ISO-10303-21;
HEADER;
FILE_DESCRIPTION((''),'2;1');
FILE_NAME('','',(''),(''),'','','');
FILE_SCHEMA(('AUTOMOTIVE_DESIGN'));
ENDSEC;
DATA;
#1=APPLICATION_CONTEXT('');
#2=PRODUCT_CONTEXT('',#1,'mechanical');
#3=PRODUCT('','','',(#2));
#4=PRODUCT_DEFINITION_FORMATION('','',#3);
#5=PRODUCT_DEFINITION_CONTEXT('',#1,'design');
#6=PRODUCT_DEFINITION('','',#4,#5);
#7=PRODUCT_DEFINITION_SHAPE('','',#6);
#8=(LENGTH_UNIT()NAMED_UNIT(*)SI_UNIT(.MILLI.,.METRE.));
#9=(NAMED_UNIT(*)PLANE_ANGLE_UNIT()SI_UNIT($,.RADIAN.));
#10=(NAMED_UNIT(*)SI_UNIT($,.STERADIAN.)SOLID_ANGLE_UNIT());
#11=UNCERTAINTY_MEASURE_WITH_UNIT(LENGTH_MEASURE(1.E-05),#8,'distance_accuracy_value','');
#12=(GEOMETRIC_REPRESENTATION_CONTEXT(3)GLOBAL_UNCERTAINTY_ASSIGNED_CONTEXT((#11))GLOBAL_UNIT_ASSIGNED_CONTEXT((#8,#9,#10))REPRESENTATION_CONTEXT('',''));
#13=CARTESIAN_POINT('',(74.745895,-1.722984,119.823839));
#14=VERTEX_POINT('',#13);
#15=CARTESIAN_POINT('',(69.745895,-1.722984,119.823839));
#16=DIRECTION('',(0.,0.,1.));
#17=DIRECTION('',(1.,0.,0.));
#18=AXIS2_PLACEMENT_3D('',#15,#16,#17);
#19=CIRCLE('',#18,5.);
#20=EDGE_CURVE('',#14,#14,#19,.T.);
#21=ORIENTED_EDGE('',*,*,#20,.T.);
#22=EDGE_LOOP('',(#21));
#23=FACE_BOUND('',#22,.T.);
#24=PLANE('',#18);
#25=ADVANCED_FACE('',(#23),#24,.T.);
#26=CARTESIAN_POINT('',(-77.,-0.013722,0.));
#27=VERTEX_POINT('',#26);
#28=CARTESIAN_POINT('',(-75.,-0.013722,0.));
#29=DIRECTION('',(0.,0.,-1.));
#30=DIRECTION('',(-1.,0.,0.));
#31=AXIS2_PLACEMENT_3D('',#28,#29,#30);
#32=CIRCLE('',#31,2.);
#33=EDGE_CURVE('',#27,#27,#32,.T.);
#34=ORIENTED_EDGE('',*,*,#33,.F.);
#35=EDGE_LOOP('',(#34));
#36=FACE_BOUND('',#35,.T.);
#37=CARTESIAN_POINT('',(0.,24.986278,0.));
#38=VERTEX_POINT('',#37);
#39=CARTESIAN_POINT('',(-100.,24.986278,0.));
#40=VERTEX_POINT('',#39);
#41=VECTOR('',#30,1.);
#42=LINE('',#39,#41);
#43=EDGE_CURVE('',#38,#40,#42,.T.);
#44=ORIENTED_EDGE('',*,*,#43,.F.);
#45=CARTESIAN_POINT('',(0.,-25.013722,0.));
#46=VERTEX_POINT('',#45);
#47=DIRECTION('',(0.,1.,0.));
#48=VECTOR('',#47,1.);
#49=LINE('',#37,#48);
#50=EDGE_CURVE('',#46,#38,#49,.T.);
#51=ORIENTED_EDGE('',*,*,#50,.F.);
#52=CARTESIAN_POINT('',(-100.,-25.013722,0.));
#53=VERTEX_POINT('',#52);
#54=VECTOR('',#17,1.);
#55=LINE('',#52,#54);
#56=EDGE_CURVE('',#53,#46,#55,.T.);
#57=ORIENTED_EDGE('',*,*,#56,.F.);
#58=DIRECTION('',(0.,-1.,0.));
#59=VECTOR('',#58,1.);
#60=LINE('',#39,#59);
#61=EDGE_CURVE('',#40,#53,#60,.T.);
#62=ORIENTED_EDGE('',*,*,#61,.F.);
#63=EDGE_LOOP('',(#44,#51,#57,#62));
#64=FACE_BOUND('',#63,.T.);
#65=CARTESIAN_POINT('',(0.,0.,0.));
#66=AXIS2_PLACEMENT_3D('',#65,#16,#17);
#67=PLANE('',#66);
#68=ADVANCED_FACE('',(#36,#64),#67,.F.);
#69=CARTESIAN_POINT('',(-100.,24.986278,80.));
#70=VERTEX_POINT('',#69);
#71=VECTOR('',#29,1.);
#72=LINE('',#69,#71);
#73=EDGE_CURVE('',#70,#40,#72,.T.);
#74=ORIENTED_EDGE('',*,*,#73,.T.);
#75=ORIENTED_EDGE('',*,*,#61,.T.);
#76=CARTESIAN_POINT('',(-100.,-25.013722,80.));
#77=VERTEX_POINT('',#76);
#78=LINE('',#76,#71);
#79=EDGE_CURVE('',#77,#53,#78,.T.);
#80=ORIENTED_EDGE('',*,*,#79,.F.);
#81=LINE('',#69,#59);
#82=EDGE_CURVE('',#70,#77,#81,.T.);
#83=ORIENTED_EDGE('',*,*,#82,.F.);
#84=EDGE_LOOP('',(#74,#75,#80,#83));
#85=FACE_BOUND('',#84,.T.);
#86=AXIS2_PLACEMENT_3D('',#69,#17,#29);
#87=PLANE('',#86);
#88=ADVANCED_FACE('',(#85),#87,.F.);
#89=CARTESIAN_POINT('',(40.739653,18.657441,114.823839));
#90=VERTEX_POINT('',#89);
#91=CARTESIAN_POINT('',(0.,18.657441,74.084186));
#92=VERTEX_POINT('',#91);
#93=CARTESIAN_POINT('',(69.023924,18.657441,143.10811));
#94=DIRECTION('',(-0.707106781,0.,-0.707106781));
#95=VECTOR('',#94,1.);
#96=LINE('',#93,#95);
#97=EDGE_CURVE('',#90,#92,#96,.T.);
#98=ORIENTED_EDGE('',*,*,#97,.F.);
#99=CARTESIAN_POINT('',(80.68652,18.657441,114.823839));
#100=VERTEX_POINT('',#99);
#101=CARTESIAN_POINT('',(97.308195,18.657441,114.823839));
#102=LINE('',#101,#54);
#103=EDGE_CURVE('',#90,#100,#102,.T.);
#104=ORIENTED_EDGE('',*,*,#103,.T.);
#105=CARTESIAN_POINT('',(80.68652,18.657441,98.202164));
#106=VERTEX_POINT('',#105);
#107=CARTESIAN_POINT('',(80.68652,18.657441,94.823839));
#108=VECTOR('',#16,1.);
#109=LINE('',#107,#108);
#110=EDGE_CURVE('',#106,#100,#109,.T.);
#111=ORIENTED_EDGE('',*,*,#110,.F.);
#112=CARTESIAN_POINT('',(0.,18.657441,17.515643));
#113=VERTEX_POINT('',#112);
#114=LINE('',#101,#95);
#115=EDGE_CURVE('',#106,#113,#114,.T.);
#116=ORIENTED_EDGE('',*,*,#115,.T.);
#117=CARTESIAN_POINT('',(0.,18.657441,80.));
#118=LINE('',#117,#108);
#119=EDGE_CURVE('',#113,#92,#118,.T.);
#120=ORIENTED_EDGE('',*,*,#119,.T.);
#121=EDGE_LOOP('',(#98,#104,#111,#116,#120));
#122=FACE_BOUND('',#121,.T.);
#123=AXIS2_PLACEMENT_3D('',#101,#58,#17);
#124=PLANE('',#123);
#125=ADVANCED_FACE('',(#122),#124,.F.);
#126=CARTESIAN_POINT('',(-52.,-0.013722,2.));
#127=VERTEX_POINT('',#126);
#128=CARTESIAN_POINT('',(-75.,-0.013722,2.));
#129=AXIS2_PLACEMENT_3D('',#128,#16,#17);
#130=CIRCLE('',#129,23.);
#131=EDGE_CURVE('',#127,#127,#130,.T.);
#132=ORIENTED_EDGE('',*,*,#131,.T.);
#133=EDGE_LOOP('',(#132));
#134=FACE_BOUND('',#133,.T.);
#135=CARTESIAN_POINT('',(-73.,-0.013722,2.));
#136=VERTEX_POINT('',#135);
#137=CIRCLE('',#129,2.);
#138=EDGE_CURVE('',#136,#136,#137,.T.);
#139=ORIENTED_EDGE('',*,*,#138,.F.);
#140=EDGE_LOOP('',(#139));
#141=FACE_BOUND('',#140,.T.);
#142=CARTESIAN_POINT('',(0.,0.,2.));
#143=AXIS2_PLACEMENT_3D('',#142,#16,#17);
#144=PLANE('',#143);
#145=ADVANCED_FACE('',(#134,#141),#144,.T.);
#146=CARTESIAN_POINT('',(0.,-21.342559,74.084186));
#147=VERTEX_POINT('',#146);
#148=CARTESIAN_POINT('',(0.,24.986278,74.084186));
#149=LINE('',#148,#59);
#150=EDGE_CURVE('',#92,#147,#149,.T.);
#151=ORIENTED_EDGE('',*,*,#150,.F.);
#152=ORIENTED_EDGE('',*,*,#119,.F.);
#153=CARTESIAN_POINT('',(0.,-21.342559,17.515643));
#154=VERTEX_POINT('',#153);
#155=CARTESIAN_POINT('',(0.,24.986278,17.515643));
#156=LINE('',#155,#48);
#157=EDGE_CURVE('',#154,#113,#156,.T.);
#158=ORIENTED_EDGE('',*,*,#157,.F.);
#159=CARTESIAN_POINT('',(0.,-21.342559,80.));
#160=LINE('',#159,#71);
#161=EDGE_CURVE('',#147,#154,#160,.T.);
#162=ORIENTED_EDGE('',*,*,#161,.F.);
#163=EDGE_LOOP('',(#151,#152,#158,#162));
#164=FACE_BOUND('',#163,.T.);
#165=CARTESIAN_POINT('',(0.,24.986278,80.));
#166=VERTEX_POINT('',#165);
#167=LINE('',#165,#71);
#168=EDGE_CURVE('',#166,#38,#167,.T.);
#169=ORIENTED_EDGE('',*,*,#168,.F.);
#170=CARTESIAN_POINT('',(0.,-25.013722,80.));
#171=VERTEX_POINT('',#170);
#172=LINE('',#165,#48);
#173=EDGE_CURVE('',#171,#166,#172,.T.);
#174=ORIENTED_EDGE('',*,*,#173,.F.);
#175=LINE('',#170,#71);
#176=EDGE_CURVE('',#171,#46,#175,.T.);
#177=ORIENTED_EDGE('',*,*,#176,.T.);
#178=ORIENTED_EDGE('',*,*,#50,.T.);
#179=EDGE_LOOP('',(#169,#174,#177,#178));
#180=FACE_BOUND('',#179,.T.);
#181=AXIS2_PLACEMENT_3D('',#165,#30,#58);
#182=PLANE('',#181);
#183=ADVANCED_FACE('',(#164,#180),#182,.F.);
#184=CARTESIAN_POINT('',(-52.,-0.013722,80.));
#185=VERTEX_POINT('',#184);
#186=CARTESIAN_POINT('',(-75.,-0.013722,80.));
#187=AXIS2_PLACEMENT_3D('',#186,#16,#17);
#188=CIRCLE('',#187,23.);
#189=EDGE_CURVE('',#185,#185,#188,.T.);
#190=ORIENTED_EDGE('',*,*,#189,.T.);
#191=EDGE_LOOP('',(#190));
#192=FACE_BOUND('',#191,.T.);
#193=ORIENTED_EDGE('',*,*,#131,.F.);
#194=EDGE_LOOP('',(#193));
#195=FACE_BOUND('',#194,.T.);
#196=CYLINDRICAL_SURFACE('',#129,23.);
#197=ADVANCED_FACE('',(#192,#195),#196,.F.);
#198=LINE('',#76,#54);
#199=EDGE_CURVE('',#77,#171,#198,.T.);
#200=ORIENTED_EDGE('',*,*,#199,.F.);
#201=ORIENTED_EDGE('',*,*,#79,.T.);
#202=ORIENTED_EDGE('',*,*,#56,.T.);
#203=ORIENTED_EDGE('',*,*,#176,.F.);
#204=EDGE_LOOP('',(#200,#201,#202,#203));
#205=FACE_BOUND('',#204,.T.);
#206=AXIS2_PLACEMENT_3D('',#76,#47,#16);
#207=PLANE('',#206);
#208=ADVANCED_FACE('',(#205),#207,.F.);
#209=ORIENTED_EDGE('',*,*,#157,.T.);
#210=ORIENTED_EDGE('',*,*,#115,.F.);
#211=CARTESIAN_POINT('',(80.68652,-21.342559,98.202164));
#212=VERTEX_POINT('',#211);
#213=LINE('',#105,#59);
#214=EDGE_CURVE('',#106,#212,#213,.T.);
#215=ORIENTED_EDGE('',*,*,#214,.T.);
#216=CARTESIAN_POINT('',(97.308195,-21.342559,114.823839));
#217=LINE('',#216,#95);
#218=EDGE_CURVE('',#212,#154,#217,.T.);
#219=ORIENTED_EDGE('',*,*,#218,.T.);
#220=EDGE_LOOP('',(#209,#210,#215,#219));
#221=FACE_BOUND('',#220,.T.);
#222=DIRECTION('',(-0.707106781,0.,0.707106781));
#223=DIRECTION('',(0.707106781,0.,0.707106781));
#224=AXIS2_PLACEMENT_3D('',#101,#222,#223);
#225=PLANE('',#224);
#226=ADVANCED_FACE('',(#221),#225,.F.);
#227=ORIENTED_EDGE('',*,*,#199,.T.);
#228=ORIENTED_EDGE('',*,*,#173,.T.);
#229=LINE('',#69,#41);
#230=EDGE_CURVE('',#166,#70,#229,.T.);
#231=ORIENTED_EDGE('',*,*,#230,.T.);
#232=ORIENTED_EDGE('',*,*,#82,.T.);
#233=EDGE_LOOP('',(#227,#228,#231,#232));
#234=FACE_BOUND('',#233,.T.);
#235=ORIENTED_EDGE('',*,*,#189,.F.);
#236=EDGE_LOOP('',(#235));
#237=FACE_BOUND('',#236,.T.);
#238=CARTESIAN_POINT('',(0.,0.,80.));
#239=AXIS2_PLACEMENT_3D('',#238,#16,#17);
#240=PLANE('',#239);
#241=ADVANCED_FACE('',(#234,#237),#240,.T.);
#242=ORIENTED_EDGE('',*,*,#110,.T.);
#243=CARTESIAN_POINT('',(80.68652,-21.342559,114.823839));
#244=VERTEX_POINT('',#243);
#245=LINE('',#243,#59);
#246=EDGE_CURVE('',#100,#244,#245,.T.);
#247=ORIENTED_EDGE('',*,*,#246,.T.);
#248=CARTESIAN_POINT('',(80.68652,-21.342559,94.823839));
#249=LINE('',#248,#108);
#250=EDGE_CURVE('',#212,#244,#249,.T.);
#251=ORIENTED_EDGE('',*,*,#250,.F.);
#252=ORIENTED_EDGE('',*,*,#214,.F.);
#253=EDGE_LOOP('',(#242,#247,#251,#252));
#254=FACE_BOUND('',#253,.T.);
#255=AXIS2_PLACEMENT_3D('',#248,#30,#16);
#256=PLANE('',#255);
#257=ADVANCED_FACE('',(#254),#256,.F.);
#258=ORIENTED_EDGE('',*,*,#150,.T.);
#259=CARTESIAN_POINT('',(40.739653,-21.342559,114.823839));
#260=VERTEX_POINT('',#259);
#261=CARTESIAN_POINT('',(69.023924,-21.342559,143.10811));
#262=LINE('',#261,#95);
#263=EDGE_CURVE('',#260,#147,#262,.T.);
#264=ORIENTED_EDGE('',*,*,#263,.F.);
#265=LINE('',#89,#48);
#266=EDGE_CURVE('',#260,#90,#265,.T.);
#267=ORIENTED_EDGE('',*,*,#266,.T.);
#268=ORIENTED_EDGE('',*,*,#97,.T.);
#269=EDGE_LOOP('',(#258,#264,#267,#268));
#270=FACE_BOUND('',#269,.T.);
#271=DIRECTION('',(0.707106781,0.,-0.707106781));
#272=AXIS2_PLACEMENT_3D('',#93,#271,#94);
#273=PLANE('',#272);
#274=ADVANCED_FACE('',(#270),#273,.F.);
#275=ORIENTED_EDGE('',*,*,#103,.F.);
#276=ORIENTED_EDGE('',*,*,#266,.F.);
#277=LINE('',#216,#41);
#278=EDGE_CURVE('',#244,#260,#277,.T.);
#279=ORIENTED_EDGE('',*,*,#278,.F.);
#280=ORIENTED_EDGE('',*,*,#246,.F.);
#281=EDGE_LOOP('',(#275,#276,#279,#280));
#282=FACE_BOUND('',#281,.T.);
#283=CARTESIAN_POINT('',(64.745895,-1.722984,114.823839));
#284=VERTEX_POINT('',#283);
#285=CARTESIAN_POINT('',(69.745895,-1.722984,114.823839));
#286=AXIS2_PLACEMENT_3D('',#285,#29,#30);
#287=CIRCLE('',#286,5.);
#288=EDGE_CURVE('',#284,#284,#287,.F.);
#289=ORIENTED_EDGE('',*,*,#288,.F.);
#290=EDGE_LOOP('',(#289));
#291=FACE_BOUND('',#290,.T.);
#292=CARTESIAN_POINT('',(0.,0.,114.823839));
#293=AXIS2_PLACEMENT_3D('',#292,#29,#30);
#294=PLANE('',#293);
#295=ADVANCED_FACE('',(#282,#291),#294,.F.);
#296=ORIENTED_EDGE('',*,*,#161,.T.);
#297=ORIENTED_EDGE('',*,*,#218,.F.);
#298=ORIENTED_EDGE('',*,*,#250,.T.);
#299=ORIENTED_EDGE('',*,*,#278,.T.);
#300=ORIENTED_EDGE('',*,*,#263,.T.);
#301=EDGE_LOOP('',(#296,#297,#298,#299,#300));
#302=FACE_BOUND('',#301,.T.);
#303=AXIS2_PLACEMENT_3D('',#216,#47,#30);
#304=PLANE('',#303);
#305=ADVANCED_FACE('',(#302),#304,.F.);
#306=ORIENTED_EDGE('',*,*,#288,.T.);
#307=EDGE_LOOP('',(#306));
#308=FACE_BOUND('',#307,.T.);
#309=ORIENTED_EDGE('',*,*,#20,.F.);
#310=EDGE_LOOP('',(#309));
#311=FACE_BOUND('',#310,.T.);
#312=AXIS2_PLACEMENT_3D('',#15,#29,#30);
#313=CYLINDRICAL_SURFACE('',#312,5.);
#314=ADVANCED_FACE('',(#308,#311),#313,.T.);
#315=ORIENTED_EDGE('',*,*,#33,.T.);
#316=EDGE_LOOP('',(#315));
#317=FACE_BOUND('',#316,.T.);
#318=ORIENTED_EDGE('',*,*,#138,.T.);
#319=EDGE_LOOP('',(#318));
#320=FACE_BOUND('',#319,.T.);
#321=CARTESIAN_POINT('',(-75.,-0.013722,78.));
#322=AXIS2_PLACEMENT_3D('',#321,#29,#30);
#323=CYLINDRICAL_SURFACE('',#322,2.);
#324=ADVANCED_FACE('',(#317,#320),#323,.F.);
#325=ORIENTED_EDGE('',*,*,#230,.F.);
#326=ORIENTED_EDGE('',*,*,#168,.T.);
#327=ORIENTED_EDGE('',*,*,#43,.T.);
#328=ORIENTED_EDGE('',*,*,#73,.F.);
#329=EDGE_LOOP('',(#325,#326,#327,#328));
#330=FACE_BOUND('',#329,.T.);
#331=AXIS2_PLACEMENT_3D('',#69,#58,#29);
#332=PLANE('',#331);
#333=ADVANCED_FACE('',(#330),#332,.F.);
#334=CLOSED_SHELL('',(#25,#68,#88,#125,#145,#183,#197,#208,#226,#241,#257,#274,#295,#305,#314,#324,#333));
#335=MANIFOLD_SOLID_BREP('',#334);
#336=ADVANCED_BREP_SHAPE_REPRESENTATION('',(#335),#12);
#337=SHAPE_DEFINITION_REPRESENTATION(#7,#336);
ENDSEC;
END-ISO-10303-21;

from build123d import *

# Parameters (mm, degrees)
IZIM1_W                     = 100
IZIM1_H                     = 50
Y_KSEKLIK_EKSTR_ZYON1_DEPTH = 80
IZIM2_W                     = 40
IZIM2_H                     = 40
Y_KSEKLIK_EKSTR_ZYON6_DEPTH = 150
KES_EKSTR_ZYON4_DEPTH       = 50
IZIM12_R                    = 5
Y_KSEKLIK_EKSTR_ZYON9_DEPTH = 5
IZIM13_R                    = 23
KES_EKSTR_ZYON9_DEPTH       = 78
IZIM14_R                    = 2
KES_EKSTR_ZYON10_DEPTH      = 78
IZIM15_W                    = 16.621675202
IZIM15_H                    = 40
KES_EKSTR_ZYON15_DEPTH      = 20


with BuildPart() as part:
    # Çizim1 → Yükseklik-Ekstrüzyon1 (new body)
    with BuildSketch(Plane.XY):
        with Locations((-50, -0.013722327)):
            Rectangle(IZIM1_W, IZIM1_H)
    extrude(amount=Y_KSEKLIK_EKSTR_ZYON1_DEPTH)

    # Çizim2 → Yükseklik-Ekstrüzyon6 (add)
    with BuildSketch(Plane(origin=(0, 0, 0), x_dir=(0, 1, 0), z_dir=(0.7071067811865561, 0, 0.7071067811865389))):
        with Locations((-1.342558947, 32.385430267)):
            Rectangle(IZIM2_W, IZIM2_H)
    extrude(amount=Y_KSEKLIK_EKSTR_ZYON6_DEPTH)

    # Çizim11 → Kes-Ekstrüzyon4 (cut)
    with BuildSketch(Plane(origin=(0, 0, 114.823838907), x_dir=(0, 1, 0), z_dir=(0, 0, 1))):
        Polygon((18.657441053, -97.308195449), (-21.342558947, -97.308195449), (-41.210000873, -31.823007329), (29.36267087, -31.823007329), align=None)
    extrude(amount=KES_EKSTR_ZYON4_DEPTH, mode=Mode.SUBTRACT)

    # Çizim12 → Yükseklik-Ekstrüzyon9 (add)
    with BuildSketch(Plane.XY.offset(114.823838907)):
        with Locations(Location((69.745895445, -1.722983567, 0), (0, 0, 180))):
            Circle(IZIM12_R)
    extrude(amount=Y_KSEKLIK_EKSTR_ZYON9_DEPTH)

    # Çizim13 → Kes-Ekstrüzyon9 (cut)
    with BuildSketch(Plane.XY.offset(80)):
        with Locations((-75, -0.013722327)):
            Circle(IZIM13_R)
    extrude(amount=-KES_EKSTR_ZYON9_DEPTH, mode=Mode.SUBTRACT)

    # Çizim14 → Kes-Ekstrüzyon10 (cut)
    with BuildSketch(Plane(origin=(0, 0, 0), x_dir=(-1, 0, 0), z_dir=(0, 0, -1))):
        with Locations((75, -0.013722327)):
            Circle(IZIM14_R)
    extrude(amount=-KES_EKSTR_ZYON10_DEPTH, mode=Mode.SUBTRACT)

    # Çizim15 → Kes-Ekstrüzyon15 (cut)
    with BuildSketch(Plane.XY.offset(114.823838907)):
        with Locations((88.997357848, -1.342558947)):
            Rectangle(IZIM15_W, IZIM15_H)
    extrude(amount=-KES_EKSTR_ZYON15_DEPTH, mode=Mode.SUBTRACT)


solid = part.part
